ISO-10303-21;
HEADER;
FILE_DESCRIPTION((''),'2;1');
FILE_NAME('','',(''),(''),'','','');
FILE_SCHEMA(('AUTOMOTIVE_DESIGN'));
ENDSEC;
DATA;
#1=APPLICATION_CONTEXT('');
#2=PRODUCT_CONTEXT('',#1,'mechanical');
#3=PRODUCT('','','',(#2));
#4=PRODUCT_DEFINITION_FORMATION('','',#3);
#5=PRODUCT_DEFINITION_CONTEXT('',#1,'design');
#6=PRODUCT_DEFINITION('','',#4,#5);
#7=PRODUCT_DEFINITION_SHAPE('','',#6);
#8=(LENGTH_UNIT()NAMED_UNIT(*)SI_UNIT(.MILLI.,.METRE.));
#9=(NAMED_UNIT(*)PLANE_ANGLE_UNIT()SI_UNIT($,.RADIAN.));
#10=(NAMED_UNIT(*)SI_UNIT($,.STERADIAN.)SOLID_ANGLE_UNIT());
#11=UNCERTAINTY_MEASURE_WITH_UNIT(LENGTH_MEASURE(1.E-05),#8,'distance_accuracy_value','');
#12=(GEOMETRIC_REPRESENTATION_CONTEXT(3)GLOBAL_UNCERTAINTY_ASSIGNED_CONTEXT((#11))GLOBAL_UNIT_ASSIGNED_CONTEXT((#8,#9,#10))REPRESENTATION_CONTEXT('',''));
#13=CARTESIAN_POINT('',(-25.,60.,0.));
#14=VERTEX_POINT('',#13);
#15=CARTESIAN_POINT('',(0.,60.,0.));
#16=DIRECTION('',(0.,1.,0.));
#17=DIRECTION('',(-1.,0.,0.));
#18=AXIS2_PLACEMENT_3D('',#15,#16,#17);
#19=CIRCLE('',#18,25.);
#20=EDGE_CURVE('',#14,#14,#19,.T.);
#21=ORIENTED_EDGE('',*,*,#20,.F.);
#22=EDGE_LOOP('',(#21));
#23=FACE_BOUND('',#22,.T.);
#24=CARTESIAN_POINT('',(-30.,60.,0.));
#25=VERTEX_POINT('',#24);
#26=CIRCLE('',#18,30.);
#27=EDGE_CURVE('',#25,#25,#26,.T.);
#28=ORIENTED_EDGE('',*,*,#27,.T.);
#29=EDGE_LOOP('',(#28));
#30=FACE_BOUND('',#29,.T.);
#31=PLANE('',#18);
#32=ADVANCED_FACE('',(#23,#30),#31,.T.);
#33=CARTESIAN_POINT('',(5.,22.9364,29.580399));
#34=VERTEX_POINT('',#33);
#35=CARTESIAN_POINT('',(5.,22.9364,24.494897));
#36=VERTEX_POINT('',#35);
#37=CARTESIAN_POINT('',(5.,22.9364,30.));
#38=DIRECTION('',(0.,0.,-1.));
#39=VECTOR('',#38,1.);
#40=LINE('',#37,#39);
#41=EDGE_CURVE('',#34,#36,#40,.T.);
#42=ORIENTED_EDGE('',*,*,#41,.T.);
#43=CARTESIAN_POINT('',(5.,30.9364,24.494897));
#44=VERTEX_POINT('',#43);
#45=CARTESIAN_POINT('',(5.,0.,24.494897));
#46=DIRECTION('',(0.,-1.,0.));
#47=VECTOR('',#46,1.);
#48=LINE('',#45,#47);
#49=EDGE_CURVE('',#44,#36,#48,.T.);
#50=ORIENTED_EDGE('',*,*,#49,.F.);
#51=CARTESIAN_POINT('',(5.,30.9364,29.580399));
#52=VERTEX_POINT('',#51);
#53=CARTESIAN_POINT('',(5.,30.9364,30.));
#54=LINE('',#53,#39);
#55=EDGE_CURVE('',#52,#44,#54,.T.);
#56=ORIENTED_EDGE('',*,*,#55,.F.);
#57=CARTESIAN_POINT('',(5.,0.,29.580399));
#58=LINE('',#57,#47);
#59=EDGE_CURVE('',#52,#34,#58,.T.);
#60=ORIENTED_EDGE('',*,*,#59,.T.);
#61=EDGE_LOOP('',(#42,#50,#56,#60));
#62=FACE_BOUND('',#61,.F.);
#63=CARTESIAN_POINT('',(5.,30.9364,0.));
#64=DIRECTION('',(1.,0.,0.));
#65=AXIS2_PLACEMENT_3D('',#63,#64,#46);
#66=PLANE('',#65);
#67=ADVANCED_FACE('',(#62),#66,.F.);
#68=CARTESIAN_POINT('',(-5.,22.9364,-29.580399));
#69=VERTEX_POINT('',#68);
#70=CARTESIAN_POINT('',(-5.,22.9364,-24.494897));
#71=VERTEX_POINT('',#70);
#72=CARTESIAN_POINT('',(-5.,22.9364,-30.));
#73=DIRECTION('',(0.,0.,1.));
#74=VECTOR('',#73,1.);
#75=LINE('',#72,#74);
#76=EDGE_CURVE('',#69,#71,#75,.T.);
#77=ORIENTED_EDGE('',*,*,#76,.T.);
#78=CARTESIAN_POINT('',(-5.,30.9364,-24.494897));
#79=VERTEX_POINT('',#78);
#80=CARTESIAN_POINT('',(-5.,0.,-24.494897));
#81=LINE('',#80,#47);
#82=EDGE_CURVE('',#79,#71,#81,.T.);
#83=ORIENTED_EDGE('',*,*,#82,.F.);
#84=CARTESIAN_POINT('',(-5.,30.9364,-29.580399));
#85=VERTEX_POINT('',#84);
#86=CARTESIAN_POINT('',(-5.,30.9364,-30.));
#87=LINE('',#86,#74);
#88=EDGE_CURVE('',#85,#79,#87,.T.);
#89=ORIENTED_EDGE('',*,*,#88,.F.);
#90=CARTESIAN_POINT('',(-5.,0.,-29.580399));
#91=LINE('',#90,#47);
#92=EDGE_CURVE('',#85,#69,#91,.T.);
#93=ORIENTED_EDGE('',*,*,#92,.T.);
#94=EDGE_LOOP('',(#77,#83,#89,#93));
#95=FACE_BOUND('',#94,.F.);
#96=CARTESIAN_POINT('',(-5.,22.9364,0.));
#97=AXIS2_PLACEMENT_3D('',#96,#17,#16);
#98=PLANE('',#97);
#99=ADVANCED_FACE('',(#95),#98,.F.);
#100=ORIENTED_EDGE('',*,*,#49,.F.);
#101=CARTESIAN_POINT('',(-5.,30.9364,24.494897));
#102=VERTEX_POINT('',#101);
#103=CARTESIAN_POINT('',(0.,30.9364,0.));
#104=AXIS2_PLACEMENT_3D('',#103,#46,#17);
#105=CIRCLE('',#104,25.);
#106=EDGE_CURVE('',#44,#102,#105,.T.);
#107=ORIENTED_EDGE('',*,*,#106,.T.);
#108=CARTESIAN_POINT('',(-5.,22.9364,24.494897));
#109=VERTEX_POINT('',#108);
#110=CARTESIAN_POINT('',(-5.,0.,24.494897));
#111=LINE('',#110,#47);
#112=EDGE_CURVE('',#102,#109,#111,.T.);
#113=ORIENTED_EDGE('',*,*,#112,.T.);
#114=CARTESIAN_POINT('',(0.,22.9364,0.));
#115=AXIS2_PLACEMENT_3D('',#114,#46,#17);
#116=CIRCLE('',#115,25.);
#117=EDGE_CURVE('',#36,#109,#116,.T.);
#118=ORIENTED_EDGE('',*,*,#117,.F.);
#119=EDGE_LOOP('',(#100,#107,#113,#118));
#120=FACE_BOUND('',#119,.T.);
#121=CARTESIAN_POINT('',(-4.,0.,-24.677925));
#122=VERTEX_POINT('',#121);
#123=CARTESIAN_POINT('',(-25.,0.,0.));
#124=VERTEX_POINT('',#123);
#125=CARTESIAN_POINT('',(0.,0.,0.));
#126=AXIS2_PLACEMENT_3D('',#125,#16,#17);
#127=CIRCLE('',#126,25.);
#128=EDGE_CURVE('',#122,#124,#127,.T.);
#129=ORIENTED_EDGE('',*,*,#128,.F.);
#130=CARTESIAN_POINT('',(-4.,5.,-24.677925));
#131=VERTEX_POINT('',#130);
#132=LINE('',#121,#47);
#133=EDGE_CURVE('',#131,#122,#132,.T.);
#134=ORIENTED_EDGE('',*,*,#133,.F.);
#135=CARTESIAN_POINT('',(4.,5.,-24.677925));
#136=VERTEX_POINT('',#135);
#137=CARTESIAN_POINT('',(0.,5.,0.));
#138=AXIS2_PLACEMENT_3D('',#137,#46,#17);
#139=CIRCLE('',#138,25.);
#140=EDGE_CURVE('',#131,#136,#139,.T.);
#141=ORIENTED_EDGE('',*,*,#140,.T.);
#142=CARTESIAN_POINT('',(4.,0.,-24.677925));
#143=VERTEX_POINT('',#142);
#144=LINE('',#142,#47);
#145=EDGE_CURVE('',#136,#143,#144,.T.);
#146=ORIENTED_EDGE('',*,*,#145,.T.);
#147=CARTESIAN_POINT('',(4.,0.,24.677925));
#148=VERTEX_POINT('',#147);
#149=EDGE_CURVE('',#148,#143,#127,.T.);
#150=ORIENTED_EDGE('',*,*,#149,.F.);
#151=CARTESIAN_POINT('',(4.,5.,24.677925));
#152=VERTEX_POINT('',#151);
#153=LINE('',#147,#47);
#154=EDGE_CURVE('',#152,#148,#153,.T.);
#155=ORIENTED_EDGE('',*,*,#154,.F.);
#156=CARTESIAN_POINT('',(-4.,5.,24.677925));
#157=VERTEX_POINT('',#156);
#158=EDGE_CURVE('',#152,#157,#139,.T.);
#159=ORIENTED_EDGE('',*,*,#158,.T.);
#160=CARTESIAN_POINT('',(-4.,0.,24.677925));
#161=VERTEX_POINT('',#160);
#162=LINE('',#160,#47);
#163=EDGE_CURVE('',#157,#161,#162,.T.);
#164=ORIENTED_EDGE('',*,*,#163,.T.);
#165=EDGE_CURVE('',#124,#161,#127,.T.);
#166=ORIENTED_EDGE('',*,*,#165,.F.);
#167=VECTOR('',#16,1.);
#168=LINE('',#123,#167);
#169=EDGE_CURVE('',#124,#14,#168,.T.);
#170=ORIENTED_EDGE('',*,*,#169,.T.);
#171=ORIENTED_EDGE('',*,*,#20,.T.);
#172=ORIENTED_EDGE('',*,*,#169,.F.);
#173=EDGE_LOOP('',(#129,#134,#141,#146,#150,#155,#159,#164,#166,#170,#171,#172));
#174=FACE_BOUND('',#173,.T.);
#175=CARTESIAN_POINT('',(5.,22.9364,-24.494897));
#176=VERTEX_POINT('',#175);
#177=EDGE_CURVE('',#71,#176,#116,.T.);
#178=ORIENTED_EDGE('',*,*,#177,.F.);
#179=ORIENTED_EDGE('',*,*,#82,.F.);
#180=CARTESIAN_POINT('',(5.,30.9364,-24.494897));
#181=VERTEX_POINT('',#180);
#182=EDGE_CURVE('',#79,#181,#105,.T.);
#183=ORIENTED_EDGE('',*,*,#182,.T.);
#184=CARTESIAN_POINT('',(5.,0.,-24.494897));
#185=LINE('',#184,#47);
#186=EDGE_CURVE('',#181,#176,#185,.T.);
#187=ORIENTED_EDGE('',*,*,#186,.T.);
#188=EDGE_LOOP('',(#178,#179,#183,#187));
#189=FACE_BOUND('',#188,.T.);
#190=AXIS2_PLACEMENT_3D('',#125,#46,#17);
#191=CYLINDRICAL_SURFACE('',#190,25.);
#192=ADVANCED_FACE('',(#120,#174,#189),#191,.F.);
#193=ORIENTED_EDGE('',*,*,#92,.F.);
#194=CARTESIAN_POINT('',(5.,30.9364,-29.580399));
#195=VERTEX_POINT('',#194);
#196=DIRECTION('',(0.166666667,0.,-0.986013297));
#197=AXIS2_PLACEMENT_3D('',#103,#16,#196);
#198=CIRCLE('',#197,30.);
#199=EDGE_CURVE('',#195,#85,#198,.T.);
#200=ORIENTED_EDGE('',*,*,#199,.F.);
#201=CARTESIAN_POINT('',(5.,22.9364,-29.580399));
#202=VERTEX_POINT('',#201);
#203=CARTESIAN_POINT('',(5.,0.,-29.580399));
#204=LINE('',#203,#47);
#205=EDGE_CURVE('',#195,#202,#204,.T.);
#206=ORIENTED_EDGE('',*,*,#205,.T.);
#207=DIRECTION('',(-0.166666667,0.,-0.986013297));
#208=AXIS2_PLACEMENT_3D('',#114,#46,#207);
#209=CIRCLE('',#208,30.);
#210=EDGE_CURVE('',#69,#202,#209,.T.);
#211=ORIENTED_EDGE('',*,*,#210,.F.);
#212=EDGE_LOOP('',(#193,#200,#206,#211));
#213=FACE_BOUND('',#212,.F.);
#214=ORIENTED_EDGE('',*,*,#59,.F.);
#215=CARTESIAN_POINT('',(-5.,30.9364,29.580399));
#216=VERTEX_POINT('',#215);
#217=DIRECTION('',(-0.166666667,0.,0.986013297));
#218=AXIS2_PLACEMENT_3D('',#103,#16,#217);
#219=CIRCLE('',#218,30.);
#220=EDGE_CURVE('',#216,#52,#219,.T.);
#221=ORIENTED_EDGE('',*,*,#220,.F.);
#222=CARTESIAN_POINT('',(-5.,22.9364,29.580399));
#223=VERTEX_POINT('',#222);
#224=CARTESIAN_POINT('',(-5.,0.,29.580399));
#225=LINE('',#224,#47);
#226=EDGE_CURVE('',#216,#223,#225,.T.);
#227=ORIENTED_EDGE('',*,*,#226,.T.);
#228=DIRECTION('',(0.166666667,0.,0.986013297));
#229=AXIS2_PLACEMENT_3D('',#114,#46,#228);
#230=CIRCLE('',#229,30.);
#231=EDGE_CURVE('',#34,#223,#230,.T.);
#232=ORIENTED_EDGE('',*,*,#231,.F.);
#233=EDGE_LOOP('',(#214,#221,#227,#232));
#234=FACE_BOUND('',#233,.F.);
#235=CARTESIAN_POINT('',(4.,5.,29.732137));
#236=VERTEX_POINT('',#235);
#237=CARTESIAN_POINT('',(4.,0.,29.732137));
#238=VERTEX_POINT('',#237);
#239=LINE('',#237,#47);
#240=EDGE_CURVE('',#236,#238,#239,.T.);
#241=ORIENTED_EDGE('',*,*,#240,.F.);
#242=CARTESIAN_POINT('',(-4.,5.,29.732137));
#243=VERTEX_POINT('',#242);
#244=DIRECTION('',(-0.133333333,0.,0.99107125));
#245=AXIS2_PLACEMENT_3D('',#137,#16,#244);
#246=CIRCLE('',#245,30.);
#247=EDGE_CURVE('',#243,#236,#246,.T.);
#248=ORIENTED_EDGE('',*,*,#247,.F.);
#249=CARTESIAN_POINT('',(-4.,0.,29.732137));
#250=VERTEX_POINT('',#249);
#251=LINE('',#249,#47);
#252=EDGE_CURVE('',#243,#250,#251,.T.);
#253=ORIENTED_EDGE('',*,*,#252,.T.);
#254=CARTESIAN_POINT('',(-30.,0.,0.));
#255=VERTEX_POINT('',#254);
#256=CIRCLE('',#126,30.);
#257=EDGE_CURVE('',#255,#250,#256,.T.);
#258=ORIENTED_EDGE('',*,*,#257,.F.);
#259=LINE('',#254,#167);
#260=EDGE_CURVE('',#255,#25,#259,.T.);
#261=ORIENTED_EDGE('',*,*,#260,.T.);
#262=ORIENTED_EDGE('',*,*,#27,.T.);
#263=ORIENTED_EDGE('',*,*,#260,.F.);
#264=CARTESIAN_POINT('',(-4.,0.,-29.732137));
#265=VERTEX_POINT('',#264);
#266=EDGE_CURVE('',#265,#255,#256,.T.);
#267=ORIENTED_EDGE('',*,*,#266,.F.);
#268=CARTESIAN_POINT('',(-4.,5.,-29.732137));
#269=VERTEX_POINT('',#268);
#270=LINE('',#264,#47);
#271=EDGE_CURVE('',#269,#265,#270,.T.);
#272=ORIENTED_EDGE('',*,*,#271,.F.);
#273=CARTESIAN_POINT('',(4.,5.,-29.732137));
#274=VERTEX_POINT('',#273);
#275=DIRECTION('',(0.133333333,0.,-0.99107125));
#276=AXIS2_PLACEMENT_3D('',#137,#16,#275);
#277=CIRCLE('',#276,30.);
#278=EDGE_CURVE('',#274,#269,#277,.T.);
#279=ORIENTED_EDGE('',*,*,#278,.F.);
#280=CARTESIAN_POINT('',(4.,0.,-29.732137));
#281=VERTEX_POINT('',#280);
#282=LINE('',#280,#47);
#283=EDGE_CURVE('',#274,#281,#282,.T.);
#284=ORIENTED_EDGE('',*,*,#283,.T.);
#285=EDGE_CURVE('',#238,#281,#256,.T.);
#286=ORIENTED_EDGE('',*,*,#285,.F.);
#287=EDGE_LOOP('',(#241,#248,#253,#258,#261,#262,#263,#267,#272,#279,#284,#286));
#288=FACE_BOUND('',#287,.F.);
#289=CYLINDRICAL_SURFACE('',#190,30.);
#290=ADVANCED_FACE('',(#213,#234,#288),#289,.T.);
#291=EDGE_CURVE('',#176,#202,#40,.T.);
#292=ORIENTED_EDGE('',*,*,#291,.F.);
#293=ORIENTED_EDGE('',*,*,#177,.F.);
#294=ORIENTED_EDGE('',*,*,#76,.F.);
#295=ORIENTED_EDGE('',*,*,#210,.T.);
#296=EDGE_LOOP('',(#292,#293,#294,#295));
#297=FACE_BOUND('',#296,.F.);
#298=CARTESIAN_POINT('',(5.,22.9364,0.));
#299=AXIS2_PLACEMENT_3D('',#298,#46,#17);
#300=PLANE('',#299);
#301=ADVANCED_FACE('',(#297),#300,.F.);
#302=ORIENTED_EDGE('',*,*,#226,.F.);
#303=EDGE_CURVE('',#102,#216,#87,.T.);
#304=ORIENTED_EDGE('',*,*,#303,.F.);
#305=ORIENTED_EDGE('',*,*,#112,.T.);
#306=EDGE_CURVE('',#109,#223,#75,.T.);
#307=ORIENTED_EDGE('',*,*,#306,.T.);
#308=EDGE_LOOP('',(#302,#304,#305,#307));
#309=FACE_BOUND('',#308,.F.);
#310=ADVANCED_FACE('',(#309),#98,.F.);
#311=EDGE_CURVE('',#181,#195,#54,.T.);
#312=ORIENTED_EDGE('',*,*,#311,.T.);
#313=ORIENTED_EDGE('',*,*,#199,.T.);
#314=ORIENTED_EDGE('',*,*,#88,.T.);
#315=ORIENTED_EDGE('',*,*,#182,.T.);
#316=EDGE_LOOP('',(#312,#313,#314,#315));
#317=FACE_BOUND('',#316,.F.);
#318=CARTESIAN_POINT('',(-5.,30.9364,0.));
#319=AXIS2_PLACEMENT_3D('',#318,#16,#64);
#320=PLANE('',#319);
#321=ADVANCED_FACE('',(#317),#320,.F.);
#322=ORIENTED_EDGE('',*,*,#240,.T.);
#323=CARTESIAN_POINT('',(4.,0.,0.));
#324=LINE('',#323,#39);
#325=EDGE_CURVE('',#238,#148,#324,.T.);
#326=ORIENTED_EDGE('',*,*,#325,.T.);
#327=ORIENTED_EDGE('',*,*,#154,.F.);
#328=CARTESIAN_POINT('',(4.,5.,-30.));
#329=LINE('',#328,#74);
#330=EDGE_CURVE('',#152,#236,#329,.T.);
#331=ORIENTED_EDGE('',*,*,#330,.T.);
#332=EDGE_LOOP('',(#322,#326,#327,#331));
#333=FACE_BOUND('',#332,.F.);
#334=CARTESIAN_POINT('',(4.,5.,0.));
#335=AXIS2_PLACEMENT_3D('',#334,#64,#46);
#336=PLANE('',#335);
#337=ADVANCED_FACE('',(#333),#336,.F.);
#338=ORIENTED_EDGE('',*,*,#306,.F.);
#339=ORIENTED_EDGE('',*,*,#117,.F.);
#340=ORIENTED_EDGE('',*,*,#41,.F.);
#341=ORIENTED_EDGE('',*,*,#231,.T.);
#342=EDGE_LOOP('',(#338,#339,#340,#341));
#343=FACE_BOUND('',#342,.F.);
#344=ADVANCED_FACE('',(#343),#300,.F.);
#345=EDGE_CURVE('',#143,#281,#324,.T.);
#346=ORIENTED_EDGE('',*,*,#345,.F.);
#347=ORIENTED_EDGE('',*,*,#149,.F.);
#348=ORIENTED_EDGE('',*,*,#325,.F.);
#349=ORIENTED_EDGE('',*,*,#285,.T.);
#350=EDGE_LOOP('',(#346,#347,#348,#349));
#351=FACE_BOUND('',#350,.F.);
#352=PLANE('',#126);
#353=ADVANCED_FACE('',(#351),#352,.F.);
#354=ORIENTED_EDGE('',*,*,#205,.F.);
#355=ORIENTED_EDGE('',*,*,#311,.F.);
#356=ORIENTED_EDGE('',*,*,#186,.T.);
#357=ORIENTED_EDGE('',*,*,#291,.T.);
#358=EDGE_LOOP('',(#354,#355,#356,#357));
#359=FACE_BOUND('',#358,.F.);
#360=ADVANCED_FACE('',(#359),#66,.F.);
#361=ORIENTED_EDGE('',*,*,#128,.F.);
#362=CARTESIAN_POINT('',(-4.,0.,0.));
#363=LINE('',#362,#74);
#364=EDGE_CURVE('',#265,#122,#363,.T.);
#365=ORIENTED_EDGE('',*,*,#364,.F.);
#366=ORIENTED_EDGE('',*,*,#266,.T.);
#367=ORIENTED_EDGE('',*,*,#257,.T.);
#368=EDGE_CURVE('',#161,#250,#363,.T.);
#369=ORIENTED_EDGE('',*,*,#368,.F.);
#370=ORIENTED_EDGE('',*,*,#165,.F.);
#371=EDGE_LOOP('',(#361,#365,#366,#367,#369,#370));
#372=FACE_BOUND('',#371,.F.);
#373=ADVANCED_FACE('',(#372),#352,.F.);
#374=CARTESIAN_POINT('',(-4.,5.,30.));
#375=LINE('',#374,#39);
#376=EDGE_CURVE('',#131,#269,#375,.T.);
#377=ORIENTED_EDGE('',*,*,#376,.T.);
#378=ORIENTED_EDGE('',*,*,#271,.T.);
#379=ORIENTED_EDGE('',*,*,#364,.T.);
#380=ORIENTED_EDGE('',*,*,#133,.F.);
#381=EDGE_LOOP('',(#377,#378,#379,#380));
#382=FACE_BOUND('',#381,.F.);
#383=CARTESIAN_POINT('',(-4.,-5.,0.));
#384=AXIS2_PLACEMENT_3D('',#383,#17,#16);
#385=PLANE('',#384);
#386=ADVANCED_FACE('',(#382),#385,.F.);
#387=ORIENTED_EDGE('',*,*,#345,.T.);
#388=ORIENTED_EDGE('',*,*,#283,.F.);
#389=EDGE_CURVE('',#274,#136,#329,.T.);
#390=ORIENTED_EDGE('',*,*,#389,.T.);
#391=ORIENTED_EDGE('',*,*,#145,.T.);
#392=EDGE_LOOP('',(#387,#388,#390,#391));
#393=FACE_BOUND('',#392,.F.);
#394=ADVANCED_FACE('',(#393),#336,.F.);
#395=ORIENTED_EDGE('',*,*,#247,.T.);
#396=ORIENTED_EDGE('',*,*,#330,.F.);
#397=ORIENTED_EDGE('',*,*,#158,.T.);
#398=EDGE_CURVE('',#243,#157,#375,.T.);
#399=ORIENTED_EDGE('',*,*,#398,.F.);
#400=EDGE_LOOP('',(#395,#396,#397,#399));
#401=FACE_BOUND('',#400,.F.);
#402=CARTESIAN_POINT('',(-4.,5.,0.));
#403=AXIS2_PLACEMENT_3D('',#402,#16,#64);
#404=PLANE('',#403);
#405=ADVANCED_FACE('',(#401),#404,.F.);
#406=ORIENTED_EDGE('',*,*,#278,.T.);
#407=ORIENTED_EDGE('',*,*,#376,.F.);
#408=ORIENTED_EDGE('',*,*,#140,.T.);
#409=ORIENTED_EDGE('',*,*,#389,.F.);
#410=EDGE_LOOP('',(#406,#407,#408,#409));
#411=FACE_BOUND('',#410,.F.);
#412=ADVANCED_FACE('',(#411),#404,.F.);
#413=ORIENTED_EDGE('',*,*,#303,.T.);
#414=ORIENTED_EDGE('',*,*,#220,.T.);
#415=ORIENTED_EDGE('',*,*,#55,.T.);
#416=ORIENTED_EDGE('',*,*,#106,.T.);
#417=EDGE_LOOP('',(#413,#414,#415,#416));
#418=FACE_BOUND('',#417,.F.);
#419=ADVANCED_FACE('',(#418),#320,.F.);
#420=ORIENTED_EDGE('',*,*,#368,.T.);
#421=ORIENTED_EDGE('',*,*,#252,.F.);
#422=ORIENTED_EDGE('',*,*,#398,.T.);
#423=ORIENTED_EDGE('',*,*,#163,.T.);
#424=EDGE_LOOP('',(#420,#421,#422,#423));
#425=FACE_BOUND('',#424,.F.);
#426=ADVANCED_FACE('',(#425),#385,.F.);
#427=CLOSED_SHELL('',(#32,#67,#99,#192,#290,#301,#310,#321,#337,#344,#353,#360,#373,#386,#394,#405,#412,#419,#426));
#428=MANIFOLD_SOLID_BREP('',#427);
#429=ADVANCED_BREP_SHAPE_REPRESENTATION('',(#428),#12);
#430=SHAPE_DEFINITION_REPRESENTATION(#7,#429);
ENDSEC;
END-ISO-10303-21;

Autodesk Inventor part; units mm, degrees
ref_plane "YZ Plane" through (0, 0, 0) normal (1, 0, 0) x (0, 1, 0)
ref_plane "XZ Plane" through (0, 0, 0) normal (0, 1, 0) x (-1, 0, 0)
ref_plane "XY Plane" through (0, 0, 0) normal (0, 0, 1) x (1, 0, 0)
sketch "スケッチ1" plane through (0, 0, 0) normal (0, 1, 0) x (-1, 0, 0)
  circle A0 centre (0, 0) radius 25
  circle A1 centre (0, 0) radius 30
  dimension "d0" = 50
  dimension "d1" = 60
extrude "押し出し1" add sketch "スケッチ1" along normal blind 60
sketch "スケッチ2" plane through (0, 0, 0) normal (0, 0, 1) x (1, 0, 0)
  line L0 (-5, 30.9364) -> (5, 30.9364)
  line L1 (5, 30.9364) -> (5, 22.9364)
  line L2 (5, 22.9364) -> (-5, 22.9364)
  line L3 (-5, 22.9364) -> (-5, 30.9364)
  line L4 (-5, 30.9364) -> (5, 22.9364) construction
  line L5 (5, 30.9364) -> (-5, 22.9364) construction
  point P0 (0, 0)
  point P1 (0, 26.9364)
  dimension "d4" = 10
  dimension "d5" = 8
extrude "押し出し2" cut sketch "スケッチ2" along normal mid plane 60
sketch "スケッチ3" plane through (0, 0, 0) normal (0, 0, 1) x (1, 0, 0)
  point P0 (0, 0)
sketch "スケッチ4" plane through (0, 0, 0) normal (0, 0, 1) x (1, 0, 0)
  line L0 (4, -5) -> (-4, -5)
  line L1 (-4, -5) -> (-4, 5)
  line L2 (-4, 5) -> (4, 5)
  line L3 (4, 5) -> (4, -5)
  line L4 (4, -5) -> (-4, 5) construction
  line L5 (-4, -5) -> (4, 5) construction
  point P0 (0, 0)
  dimension "d8" = 8
  dimension "d9" = 10
extrude "押し出し3" cut sketch "スケッチ4" along normal mid plane 60
properties part number "pipe"
